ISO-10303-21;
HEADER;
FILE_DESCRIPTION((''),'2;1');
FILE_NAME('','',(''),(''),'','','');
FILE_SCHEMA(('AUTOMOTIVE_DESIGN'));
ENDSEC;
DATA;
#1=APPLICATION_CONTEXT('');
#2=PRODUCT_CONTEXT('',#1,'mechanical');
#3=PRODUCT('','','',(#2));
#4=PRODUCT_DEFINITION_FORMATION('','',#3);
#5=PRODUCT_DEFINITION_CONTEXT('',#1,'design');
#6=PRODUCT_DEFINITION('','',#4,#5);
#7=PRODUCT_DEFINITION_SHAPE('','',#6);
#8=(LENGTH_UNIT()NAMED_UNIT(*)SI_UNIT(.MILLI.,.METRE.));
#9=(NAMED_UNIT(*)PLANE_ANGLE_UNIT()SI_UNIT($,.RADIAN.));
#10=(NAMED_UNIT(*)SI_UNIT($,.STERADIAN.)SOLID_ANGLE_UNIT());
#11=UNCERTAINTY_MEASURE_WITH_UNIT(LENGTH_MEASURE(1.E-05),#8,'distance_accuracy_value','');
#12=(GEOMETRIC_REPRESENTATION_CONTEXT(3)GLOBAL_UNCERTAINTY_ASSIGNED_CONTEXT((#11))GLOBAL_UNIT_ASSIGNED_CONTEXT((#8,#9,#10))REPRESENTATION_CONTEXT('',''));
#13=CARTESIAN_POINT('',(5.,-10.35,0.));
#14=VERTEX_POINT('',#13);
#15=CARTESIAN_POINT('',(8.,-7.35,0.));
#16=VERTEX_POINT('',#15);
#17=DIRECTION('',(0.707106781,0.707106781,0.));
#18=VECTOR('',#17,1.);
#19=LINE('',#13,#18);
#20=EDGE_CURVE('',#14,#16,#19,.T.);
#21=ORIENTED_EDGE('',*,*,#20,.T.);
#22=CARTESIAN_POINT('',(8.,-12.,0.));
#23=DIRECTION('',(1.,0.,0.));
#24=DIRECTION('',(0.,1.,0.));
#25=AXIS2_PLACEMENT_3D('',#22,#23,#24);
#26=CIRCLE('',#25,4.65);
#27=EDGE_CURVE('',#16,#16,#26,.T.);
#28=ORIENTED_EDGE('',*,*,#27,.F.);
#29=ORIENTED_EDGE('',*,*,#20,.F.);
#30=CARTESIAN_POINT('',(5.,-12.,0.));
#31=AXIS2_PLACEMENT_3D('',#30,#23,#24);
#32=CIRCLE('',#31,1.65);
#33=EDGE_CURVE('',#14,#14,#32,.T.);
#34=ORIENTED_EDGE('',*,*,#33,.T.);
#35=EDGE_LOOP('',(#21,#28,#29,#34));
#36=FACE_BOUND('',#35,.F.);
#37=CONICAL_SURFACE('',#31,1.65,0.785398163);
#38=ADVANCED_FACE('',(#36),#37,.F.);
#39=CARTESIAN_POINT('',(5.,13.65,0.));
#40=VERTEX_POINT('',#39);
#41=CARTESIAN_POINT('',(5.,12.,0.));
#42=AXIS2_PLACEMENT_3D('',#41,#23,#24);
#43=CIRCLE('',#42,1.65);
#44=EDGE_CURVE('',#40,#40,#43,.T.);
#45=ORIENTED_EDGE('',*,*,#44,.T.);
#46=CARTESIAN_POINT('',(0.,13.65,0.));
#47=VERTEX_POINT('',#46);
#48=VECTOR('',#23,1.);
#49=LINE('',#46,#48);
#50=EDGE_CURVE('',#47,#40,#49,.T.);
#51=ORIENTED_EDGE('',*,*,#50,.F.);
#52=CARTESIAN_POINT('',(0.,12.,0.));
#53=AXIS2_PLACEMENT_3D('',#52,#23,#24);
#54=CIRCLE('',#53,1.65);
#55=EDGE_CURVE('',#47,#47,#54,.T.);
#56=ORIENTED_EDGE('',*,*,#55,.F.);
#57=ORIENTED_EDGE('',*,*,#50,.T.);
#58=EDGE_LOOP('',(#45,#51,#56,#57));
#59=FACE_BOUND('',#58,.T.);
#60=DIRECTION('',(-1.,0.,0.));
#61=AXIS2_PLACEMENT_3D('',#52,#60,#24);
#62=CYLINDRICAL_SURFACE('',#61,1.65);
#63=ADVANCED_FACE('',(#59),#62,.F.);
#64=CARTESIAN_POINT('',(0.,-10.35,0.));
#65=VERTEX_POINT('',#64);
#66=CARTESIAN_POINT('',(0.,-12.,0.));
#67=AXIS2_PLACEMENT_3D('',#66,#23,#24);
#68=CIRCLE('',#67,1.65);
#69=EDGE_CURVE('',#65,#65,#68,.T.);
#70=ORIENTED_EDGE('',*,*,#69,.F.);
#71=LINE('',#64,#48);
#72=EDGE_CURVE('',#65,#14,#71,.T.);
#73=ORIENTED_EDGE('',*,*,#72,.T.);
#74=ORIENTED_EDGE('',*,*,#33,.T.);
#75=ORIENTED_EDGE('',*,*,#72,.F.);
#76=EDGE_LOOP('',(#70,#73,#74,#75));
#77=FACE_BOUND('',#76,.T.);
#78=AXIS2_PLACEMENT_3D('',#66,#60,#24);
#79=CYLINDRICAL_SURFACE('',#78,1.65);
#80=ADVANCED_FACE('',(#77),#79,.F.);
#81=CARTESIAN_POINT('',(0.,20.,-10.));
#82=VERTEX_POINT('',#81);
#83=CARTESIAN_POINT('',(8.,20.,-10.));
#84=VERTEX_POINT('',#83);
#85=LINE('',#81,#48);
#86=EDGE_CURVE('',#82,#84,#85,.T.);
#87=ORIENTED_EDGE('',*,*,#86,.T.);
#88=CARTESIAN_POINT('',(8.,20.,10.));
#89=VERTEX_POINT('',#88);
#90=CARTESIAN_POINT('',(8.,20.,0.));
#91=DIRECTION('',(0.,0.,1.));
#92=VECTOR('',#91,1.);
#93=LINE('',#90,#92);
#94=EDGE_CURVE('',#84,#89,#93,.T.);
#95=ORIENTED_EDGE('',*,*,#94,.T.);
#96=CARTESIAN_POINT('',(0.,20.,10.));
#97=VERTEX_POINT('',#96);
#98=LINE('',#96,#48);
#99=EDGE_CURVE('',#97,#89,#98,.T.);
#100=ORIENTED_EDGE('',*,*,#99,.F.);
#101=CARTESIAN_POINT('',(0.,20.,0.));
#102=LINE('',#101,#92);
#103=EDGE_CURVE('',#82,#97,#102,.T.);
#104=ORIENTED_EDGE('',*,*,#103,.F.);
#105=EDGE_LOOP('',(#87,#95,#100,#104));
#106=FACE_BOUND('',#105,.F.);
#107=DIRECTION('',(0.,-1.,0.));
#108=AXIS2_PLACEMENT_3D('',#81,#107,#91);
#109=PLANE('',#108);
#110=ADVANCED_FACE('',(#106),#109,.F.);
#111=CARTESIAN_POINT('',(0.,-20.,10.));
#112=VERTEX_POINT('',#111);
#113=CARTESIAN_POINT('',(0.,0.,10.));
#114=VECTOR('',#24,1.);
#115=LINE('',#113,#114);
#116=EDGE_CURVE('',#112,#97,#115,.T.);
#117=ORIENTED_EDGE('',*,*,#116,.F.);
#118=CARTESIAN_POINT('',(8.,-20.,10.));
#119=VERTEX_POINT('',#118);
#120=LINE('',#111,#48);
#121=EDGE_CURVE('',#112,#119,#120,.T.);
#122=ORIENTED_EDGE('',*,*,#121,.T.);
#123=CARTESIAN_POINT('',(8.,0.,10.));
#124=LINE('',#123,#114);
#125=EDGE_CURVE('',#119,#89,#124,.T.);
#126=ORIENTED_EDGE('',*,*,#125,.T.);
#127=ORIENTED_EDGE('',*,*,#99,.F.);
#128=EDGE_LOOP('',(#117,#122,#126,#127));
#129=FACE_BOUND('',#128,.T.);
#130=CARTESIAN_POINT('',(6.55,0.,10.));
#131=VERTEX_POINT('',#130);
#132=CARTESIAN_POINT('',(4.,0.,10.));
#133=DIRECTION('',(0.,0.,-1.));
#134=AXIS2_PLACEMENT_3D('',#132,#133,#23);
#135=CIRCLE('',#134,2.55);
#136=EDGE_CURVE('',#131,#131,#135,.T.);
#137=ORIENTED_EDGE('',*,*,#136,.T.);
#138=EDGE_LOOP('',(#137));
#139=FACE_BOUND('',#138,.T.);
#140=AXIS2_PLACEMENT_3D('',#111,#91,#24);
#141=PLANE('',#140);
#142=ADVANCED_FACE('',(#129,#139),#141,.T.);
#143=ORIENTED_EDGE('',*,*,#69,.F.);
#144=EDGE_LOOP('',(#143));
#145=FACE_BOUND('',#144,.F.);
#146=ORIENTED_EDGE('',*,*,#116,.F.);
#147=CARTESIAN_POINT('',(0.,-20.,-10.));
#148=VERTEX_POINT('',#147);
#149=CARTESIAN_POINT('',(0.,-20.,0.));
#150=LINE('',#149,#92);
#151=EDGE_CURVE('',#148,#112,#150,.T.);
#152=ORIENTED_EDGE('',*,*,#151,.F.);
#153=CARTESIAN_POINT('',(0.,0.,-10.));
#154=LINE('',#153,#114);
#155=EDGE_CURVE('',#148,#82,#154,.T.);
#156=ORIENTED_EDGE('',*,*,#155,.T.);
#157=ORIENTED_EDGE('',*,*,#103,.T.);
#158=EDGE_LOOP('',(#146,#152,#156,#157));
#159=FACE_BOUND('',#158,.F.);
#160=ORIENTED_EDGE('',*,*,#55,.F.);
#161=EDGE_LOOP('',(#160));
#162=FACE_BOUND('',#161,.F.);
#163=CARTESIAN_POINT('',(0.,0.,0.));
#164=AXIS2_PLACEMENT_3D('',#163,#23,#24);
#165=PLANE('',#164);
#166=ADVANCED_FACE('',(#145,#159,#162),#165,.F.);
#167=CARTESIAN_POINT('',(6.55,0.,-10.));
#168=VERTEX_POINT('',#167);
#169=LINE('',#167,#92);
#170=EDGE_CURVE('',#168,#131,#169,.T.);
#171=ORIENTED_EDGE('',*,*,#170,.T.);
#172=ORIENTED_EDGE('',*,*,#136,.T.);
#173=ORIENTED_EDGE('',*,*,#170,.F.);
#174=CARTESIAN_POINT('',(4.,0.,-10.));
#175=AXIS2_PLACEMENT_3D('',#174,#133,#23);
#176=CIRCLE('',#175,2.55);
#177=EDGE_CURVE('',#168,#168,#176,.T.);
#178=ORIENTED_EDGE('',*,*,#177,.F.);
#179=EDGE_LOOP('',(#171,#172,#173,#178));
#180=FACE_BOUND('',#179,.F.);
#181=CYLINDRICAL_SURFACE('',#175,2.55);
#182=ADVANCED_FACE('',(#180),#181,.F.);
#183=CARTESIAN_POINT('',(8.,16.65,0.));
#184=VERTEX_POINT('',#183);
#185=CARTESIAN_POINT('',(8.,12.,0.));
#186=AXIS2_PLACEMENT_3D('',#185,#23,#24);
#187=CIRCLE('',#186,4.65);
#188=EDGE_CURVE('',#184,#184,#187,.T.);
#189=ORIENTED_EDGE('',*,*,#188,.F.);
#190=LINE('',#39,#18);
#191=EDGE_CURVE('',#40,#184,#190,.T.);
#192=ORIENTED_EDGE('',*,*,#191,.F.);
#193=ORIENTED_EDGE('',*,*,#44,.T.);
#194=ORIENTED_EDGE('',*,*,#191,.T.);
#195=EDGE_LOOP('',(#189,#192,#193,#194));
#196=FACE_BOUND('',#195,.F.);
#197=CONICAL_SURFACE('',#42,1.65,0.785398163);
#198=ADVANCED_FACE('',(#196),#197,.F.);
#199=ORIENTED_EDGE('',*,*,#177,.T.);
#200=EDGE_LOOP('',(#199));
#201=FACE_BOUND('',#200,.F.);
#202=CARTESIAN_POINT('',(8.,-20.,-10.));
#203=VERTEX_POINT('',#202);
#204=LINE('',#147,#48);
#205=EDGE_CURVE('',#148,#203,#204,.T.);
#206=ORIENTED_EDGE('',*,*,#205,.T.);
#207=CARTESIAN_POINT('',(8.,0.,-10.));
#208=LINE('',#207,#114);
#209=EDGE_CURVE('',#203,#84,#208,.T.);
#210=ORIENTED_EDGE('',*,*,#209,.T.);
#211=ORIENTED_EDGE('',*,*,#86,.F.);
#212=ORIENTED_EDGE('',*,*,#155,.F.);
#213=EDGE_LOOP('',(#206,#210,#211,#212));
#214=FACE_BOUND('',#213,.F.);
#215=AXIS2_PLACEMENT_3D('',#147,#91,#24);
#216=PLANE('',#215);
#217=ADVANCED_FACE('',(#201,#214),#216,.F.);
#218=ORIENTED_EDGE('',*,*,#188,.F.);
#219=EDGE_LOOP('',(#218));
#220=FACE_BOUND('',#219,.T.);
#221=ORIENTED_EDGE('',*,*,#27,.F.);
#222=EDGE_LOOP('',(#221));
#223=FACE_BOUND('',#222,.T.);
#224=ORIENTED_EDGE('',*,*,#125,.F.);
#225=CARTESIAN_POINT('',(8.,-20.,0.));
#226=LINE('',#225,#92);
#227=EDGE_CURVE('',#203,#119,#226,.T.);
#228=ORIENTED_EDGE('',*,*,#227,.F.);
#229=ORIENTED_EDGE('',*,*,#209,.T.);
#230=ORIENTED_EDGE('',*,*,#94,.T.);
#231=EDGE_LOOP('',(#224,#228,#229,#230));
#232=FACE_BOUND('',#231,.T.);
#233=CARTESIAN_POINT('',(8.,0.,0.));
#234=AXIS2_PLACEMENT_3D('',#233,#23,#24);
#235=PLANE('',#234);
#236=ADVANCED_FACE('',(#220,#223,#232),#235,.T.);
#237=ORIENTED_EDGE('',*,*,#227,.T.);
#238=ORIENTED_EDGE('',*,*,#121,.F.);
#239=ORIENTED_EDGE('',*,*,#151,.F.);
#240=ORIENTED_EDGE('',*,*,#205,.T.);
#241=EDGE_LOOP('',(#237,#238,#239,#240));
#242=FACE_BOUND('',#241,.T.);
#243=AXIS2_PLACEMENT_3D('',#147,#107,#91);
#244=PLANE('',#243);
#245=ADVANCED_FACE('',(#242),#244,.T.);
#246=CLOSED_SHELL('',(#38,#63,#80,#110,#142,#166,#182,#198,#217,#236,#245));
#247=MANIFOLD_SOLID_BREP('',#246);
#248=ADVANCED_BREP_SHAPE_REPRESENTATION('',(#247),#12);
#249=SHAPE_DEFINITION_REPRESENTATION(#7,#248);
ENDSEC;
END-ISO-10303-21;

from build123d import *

# Parameters (mm, degrees)
F0_W     = 40
F0_H     = 20
F0_R     = 1.65
F1_DEPTH = 8
F2_SIZE  = 3
F3_R     = 2.55
F4_DEPTH = 20.001


with BuildPart() as f1:
    # F0 (on Right) → F1 (new body)
    with BuildSketch(Plane.YZ):
        Rectangle(F0_W, F0_H)
        with Locations((-12, 0)):
            Circle(F0_R, mode=Mode.SUBTRACT)
        with Locations((12, 0)):
            Circle(F0_R, mode=Mode.SUBTRACT)
    extrude(amount=F1_DEPTH)

    # F2
    f2_edges = [f1.edges().sort_by_distance(p)[0] for p in [
        (8, -13.65, 0),
        (8, 10.35, 0),
    ]]
    chamfer(f2_edges, length=F2_SIZE)

    # F3 (on face) → F4 (cut, through all)
    with BuildSketch(Plane(origin=(0, 0, -10), x_dir=(1, 0, 0), z_dir=(0, 0, -1))):
        with Locations((4, 0)):
            Circle(F3_R)
    extrude(amount=-F4_DEPTH, mode=Mode.SUBTRACT)


solid = f1.part
